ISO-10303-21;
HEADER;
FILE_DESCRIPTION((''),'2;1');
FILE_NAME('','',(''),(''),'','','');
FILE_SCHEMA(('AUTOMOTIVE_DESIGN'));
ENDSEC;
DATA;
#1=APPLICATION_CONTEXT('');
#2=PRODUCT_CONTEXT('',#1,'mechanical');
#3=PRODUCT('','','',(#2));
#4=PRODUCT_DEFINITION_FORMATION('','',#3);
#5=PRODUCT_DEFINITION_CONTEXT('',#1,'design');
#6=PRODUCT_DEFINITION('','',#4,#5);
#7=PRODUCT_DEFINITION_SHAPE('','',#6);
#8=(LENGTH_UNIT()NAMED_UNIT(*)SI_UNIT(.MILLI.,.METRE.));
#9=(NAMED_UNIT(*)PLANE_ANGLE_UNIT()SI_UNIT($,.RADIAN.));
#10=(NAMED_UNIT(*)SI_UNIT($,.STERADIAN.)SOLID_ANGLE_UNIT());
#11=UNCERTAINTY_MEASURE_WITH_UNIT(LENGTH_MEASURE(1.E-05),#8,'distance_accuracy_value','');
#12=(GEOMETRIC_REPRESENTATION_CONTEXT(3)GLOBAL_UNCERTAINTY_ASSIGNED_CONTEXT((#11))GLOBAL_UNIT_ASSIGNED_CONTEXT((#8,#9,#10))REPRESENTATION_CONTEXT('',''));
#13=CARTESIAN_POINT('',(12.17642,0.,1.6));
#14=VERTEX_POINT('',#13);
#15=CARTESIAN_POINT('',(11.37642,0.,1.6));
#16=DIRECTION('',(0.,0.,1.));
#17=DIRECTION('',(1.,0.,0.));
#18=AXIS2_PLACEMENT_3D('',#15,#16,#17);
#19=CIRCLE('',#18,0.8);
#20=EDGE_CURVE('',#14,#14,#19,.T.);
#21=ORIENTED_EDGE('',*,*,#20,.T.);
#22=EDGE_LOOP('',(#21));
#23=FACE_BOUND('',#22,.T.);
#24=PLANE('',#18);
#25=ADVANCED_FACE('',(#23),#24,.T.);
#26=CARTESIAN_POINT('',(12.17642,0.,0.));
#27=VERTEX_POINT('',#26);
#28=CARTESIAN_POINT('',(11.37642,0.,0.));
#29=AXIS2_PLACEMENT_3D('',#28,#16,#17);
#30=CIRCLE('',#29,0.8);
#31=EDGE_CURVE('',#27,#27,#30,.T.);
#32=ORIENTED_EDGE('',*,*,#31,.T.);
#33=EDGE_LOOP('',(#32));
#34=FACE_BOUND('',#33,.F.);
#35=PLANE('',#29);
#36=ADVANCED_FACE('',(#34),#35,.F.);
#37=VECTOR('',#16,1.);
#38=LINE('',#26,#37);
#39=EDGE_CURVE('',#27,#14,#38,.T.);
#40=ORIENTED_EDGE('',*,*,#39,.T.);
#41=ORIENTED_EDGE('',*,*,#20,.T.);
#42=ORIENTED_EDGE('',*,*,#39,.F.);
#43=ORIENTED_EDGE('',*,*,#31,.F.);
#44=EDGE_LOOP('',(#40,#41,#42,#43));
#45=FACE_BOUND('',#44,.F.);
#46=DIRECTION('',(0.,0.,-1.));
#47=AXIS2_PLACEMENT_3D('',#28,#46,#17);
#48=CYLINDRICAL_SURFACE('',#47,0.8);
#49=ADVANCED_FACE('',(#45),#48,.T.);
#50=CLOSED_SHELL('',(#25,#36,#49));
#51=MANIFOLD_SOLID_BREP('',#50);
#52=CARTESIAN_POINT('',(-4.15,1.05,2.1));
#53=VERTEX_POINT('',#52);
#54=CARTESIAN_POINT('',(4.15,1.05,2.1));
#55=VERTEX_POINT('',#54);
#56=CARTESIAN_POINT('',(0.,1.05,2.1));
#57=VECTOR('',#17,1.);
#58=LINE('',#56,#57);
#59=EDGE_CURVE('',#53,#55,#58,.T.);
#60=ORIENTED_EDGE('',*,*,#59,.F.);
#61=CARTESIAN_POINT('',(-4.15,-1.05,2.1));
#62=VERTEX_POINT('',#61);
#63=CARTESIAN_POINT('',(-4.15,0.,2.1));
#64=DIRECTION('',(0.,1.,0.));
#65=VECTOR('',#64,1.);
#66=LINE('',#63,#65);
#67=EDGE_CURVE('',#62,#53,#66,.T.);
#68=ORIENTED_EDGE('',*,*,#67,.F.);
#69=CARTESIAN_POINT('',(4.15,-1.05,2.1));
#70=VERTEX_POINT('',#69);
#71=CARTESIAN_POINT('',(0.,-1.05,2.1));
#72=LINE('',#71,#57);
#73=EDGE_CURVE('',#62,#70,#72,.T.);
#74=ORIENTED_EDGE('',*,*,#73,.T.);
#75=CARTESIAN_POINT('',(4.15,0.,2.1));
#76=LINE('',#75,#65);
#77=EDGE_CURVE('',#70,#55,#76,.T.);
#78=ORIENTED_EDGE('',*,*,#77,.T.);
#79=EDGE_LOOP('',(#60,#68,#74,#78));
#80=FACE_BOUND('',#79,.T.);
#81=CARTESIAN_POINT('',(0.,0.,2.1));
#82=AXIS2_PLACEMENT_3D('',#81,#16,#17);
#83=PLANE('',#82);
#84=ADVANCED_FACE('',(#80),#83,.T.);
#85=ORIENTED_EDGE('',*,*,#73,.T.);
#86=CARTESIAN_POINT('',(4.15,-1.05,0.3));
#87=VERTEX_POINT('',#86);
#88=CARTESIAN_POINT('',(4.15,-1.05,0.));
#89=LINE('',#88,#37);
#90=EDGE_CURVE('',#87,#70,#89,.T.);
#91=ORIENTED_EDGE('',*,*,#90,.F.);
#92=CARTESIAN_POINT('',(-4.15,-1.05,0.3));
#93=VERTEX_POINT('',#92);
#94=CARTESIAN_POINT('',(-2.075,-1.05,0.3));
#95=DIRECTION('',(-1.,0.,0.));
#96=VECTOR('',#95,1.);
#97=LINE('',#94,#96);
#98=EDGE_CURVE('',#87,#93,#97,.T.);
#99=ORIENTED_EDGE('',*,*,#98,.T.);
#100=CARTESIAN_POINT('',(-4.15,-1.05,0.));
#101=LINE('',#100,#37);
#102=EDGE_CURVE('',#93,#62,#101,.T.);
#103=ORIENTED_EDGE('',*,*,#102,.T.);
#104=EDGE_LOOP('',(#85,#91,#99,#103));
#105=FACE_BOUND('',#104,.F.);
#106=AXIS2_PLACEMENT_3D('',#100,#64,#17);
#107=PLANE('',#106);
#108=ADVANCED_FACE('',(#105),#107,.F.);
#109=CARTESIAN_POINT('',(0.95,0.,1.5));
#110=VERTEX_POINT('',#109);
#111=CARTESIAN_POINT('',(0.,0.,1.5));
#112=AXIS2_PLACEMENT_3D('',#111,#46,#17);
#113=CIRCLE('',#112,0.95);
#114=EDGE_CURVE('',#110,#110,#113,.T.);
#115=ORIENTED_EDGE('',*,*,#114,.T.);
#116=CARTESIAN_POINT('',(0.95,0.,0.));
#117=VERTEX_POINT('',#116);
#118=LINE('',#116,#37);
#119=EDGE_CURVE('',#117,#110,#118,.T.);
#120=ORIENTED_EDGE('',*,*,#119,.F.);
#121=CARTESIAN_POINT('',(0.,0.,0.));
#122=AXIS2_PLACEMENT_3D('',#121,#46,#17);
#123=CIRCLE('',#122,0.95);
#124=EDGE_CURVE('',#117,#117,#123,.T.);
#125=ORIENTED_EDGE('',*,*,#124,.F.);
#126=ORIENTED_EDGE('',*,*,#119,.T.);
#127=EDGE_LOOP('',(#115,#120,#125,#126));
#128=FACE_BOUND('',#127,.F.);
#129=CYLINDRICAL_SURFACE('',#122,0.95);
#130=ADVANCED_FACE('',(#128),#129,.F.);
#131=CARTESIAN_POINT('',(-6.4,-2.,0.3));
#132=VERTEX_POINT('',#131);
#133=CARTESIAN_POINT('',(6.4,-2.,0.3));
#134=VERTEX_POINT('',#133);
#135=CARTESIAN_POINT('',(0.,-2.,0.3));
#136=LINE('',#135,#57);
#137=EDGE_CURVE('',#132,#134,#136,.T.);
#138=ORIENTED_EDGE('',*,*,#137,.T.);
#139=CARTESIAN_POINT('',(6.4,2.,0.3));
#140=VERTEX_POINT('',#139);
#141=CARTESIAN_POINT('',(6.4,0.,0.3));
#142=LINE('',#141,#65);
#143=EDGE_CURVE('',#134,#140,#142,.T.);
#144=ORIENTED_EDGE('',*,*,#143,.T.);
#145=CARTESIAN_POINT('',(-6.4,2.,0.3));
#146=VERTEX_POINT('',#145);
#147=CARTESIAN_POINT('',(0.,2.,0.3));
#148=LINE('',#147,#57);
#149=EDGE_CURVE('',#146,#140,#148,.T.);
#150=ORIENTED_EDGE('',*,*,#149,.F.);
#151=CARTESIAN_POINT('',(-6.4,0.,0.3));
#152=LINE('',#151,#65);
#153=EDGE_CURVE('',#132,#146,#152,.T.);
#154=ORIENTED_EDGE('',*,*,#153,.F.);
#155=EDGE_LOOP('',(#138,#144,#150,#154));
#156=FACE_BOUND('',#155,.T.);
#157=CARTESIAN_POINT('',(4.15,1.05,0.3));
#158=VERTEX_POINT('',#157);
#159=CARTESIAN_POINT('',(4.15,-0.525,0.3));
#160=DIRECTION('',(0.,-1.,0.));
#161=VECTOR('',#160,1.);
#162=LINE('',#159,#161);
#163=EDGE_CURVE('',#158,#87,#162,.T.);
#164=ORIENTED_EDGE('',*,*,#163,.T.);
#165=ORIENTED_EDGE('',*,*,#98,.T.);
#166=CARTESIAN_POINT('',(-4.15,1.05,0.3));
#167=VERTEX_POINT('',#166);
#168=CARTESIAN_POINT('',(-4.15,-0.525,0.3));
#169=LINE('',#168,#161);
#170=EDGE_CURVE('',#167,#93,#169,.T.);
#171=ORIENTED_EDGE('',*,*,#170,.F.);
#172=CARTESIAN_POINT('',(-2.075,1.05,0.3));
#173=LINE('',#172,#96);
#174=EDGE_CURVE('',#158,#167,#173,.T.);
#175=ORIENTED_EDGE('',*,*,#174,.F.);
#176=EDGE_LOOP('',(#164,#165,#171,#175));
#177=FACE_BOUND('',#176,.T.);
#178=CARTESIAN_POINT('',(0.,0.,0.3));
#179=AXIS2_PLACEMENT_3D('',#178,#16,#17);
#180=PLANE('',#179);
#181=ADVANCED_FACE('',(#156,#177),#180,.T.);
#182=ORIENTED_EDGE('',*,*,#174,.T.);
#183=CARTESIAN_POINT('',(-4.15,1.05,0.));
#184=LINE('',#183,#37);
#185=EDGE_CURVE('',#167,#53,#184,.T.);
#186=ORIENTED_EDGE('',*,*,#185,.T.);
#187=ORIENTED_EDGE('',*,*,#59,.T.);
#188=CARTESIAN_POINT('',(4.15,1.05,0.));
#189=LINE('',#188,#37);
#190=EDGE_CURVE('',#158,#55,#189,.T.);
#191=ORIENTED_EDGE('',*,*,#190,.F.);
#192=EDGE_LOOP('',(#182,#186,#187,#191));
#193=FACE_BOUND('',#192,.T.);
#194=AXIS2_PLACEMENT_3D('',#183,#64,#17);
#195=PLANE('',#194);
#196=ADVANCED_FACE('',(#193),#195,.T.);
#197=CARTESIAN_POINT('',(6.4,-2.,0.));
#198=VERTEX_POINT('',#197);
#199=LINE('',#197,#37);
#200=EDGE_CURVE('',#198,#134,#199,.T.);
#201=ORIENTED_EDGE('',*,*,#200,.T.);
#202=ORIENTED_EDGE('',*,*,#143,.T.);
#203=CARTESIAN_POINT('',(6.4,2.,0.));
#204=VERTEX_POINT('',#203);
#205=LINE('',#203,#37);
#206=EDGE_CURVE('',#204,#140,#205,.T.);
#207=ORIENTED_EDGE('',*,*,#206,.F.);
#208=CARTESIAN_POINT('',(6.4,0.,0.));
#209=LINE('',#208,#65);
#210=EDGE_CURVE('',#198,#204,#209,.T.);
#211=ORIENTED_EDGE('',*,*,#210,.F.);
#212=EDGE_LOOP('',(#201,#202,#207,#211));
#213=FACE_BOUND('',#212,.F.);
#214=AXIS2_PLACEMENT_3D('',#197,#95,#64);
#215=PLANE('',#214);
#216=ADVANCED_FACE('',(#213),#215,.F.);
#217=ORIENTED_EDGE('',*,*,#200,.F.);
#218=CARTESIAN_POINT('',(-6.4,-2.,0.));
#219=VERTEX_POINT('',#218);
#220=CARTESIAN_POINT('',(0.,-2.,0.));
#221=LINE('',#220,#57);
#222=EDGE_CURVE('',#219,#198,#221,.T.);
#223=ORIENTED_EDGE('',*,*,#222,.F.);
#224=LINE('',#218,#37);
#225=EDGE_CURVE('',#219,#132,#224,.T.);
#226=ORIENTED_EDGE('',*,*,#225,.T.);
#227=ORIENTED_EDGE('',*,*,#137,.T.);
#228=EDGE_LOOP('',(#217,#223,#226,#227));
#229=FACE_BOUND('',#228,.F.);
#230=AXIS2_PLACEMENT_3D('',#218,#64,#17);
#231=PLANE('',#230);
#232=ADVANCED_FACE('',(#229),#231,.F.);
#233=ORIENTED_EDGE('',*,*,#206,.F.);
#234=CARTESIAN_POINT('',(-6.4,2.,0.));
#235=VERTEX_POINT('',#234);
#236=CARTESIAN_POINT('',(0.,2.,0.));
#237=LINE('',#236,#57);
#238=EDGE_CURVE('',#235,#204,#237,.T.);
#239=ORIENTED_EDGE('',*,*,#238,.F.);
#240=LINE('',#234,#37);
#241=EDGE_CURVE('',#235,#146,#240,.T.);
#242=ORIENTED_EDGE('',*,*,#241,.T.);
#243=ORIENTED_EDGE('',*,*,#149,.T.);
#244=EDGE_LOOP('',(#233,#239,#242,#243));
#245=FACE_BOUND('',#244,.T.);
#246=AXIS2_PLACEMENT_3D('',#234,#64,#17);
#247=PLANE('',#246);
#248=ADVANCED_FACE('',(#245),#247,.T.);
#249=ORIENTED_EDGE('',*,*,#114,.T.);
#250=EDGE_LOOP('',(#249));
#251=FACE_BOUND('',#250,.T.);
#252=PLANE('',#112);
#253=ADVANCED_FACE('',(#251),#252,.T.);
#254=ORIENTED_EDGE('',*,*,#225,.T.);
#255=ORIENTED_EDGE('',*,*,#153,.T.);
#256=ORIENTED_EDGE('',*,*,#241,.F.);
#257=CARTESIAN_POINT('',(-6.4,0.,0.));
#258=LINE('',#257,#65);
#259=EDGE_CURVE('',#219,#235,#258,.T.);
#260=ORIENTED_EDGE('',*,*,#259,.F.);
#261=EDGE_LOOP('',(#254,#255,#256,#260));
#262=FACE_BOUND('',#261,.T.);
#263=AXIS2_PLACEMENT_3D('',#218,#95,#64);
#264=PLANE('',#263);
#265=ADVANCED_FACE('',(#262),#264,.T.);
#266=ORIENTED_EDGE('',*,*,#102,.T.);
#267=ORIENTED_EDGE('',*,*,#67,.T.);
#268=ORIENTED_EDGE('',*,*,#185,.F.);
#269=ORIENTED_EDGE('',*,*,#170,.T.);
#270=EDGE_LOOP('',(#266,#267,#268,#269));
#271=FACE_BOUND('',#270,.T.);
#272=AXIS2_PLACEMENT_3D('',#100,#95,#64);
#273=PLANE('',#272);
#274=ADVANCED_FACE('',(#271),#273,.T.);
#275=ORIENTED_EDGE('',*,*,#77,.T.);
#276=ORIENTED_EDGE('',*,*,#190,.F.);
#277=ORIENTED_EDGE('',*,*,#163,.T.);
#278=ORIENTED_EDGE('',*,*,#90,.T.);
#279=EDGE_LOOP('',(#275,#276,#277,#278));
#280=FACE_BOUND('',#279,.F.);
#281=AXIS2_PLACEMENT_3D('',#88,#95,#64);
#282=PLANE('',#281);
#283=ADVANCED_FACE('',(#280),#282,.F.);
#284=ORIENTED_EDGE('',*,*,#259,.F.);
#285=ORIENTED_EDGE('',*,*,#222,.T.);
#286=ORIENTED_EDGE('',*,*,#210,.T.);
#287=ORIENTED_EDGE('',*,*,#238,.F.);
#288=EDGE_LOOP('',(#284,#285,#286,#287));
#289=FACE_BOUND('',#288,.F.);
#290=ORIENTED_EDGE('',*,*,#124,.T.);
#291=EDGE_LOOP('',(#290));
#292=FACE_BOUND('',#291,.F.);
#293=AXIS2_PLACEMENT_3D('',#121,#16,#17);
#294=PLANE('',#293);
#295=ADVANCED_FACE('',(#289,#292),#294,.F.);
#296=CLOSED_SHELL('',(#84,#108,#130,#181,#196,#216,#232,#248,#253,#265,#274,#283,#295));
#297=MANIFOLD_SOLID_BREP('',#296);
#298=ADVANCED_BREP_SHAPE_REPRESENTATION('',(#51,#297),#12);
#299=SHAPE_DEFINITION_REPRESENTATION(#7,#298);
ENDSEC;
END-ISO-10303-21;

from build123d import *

# Parameters (mm, degrees)
F0_W     = 12.8
F0_H     = 4
F0_W_2   = 8.3
F0_H_2   = 2.1
F1_DEPTH = 0.3
F2_DEPTH = 2.1
F3_R     = 0.95
F4_DEPTH = 1.5
F5_R     = 0.8
F6_DEPTH = 1.6


with BuildPart() as f1:
    # F0 (on Top) → F1 (new body)
    with BuildSketch(Plane.XY):
        Rectangle(F0_W, F0_H)
        Rectangle(F0_W_2, F0_H_2, mode=Mode.SUBTRACT)
        Rectangle(F0_W_2, F0_H_2)
    extrude(amount=F1_DEPTH)

    # F0 (on Top) → F2 (join)
    with BuildSketch(Plane.XY):
        Rectangle(F0_W_2, F0_H_2)
    extrude(amount=F2_DEPTH)

    # F3 (on face) → F4 (cut)
    with BuildSketch(Plane(origin=(0, 0, 0), x_dir=(1, 0, 0), z_dir=(0, 0, -1))):
        Circle(F3_R)
    extrude(amount=-F4_DEPTH, mode=Mode.SUBTRACT)


with BuildPart() as f6:
    # F5 (on Top) → F6 (new body)
    with BuildSketch(Plane.XY):
        with Locations((11.37642, 0)):
            Circle(F5_R)
    extrude(amount=F6_DEPTH)


solid = Compound([f1.part, f6.part])
